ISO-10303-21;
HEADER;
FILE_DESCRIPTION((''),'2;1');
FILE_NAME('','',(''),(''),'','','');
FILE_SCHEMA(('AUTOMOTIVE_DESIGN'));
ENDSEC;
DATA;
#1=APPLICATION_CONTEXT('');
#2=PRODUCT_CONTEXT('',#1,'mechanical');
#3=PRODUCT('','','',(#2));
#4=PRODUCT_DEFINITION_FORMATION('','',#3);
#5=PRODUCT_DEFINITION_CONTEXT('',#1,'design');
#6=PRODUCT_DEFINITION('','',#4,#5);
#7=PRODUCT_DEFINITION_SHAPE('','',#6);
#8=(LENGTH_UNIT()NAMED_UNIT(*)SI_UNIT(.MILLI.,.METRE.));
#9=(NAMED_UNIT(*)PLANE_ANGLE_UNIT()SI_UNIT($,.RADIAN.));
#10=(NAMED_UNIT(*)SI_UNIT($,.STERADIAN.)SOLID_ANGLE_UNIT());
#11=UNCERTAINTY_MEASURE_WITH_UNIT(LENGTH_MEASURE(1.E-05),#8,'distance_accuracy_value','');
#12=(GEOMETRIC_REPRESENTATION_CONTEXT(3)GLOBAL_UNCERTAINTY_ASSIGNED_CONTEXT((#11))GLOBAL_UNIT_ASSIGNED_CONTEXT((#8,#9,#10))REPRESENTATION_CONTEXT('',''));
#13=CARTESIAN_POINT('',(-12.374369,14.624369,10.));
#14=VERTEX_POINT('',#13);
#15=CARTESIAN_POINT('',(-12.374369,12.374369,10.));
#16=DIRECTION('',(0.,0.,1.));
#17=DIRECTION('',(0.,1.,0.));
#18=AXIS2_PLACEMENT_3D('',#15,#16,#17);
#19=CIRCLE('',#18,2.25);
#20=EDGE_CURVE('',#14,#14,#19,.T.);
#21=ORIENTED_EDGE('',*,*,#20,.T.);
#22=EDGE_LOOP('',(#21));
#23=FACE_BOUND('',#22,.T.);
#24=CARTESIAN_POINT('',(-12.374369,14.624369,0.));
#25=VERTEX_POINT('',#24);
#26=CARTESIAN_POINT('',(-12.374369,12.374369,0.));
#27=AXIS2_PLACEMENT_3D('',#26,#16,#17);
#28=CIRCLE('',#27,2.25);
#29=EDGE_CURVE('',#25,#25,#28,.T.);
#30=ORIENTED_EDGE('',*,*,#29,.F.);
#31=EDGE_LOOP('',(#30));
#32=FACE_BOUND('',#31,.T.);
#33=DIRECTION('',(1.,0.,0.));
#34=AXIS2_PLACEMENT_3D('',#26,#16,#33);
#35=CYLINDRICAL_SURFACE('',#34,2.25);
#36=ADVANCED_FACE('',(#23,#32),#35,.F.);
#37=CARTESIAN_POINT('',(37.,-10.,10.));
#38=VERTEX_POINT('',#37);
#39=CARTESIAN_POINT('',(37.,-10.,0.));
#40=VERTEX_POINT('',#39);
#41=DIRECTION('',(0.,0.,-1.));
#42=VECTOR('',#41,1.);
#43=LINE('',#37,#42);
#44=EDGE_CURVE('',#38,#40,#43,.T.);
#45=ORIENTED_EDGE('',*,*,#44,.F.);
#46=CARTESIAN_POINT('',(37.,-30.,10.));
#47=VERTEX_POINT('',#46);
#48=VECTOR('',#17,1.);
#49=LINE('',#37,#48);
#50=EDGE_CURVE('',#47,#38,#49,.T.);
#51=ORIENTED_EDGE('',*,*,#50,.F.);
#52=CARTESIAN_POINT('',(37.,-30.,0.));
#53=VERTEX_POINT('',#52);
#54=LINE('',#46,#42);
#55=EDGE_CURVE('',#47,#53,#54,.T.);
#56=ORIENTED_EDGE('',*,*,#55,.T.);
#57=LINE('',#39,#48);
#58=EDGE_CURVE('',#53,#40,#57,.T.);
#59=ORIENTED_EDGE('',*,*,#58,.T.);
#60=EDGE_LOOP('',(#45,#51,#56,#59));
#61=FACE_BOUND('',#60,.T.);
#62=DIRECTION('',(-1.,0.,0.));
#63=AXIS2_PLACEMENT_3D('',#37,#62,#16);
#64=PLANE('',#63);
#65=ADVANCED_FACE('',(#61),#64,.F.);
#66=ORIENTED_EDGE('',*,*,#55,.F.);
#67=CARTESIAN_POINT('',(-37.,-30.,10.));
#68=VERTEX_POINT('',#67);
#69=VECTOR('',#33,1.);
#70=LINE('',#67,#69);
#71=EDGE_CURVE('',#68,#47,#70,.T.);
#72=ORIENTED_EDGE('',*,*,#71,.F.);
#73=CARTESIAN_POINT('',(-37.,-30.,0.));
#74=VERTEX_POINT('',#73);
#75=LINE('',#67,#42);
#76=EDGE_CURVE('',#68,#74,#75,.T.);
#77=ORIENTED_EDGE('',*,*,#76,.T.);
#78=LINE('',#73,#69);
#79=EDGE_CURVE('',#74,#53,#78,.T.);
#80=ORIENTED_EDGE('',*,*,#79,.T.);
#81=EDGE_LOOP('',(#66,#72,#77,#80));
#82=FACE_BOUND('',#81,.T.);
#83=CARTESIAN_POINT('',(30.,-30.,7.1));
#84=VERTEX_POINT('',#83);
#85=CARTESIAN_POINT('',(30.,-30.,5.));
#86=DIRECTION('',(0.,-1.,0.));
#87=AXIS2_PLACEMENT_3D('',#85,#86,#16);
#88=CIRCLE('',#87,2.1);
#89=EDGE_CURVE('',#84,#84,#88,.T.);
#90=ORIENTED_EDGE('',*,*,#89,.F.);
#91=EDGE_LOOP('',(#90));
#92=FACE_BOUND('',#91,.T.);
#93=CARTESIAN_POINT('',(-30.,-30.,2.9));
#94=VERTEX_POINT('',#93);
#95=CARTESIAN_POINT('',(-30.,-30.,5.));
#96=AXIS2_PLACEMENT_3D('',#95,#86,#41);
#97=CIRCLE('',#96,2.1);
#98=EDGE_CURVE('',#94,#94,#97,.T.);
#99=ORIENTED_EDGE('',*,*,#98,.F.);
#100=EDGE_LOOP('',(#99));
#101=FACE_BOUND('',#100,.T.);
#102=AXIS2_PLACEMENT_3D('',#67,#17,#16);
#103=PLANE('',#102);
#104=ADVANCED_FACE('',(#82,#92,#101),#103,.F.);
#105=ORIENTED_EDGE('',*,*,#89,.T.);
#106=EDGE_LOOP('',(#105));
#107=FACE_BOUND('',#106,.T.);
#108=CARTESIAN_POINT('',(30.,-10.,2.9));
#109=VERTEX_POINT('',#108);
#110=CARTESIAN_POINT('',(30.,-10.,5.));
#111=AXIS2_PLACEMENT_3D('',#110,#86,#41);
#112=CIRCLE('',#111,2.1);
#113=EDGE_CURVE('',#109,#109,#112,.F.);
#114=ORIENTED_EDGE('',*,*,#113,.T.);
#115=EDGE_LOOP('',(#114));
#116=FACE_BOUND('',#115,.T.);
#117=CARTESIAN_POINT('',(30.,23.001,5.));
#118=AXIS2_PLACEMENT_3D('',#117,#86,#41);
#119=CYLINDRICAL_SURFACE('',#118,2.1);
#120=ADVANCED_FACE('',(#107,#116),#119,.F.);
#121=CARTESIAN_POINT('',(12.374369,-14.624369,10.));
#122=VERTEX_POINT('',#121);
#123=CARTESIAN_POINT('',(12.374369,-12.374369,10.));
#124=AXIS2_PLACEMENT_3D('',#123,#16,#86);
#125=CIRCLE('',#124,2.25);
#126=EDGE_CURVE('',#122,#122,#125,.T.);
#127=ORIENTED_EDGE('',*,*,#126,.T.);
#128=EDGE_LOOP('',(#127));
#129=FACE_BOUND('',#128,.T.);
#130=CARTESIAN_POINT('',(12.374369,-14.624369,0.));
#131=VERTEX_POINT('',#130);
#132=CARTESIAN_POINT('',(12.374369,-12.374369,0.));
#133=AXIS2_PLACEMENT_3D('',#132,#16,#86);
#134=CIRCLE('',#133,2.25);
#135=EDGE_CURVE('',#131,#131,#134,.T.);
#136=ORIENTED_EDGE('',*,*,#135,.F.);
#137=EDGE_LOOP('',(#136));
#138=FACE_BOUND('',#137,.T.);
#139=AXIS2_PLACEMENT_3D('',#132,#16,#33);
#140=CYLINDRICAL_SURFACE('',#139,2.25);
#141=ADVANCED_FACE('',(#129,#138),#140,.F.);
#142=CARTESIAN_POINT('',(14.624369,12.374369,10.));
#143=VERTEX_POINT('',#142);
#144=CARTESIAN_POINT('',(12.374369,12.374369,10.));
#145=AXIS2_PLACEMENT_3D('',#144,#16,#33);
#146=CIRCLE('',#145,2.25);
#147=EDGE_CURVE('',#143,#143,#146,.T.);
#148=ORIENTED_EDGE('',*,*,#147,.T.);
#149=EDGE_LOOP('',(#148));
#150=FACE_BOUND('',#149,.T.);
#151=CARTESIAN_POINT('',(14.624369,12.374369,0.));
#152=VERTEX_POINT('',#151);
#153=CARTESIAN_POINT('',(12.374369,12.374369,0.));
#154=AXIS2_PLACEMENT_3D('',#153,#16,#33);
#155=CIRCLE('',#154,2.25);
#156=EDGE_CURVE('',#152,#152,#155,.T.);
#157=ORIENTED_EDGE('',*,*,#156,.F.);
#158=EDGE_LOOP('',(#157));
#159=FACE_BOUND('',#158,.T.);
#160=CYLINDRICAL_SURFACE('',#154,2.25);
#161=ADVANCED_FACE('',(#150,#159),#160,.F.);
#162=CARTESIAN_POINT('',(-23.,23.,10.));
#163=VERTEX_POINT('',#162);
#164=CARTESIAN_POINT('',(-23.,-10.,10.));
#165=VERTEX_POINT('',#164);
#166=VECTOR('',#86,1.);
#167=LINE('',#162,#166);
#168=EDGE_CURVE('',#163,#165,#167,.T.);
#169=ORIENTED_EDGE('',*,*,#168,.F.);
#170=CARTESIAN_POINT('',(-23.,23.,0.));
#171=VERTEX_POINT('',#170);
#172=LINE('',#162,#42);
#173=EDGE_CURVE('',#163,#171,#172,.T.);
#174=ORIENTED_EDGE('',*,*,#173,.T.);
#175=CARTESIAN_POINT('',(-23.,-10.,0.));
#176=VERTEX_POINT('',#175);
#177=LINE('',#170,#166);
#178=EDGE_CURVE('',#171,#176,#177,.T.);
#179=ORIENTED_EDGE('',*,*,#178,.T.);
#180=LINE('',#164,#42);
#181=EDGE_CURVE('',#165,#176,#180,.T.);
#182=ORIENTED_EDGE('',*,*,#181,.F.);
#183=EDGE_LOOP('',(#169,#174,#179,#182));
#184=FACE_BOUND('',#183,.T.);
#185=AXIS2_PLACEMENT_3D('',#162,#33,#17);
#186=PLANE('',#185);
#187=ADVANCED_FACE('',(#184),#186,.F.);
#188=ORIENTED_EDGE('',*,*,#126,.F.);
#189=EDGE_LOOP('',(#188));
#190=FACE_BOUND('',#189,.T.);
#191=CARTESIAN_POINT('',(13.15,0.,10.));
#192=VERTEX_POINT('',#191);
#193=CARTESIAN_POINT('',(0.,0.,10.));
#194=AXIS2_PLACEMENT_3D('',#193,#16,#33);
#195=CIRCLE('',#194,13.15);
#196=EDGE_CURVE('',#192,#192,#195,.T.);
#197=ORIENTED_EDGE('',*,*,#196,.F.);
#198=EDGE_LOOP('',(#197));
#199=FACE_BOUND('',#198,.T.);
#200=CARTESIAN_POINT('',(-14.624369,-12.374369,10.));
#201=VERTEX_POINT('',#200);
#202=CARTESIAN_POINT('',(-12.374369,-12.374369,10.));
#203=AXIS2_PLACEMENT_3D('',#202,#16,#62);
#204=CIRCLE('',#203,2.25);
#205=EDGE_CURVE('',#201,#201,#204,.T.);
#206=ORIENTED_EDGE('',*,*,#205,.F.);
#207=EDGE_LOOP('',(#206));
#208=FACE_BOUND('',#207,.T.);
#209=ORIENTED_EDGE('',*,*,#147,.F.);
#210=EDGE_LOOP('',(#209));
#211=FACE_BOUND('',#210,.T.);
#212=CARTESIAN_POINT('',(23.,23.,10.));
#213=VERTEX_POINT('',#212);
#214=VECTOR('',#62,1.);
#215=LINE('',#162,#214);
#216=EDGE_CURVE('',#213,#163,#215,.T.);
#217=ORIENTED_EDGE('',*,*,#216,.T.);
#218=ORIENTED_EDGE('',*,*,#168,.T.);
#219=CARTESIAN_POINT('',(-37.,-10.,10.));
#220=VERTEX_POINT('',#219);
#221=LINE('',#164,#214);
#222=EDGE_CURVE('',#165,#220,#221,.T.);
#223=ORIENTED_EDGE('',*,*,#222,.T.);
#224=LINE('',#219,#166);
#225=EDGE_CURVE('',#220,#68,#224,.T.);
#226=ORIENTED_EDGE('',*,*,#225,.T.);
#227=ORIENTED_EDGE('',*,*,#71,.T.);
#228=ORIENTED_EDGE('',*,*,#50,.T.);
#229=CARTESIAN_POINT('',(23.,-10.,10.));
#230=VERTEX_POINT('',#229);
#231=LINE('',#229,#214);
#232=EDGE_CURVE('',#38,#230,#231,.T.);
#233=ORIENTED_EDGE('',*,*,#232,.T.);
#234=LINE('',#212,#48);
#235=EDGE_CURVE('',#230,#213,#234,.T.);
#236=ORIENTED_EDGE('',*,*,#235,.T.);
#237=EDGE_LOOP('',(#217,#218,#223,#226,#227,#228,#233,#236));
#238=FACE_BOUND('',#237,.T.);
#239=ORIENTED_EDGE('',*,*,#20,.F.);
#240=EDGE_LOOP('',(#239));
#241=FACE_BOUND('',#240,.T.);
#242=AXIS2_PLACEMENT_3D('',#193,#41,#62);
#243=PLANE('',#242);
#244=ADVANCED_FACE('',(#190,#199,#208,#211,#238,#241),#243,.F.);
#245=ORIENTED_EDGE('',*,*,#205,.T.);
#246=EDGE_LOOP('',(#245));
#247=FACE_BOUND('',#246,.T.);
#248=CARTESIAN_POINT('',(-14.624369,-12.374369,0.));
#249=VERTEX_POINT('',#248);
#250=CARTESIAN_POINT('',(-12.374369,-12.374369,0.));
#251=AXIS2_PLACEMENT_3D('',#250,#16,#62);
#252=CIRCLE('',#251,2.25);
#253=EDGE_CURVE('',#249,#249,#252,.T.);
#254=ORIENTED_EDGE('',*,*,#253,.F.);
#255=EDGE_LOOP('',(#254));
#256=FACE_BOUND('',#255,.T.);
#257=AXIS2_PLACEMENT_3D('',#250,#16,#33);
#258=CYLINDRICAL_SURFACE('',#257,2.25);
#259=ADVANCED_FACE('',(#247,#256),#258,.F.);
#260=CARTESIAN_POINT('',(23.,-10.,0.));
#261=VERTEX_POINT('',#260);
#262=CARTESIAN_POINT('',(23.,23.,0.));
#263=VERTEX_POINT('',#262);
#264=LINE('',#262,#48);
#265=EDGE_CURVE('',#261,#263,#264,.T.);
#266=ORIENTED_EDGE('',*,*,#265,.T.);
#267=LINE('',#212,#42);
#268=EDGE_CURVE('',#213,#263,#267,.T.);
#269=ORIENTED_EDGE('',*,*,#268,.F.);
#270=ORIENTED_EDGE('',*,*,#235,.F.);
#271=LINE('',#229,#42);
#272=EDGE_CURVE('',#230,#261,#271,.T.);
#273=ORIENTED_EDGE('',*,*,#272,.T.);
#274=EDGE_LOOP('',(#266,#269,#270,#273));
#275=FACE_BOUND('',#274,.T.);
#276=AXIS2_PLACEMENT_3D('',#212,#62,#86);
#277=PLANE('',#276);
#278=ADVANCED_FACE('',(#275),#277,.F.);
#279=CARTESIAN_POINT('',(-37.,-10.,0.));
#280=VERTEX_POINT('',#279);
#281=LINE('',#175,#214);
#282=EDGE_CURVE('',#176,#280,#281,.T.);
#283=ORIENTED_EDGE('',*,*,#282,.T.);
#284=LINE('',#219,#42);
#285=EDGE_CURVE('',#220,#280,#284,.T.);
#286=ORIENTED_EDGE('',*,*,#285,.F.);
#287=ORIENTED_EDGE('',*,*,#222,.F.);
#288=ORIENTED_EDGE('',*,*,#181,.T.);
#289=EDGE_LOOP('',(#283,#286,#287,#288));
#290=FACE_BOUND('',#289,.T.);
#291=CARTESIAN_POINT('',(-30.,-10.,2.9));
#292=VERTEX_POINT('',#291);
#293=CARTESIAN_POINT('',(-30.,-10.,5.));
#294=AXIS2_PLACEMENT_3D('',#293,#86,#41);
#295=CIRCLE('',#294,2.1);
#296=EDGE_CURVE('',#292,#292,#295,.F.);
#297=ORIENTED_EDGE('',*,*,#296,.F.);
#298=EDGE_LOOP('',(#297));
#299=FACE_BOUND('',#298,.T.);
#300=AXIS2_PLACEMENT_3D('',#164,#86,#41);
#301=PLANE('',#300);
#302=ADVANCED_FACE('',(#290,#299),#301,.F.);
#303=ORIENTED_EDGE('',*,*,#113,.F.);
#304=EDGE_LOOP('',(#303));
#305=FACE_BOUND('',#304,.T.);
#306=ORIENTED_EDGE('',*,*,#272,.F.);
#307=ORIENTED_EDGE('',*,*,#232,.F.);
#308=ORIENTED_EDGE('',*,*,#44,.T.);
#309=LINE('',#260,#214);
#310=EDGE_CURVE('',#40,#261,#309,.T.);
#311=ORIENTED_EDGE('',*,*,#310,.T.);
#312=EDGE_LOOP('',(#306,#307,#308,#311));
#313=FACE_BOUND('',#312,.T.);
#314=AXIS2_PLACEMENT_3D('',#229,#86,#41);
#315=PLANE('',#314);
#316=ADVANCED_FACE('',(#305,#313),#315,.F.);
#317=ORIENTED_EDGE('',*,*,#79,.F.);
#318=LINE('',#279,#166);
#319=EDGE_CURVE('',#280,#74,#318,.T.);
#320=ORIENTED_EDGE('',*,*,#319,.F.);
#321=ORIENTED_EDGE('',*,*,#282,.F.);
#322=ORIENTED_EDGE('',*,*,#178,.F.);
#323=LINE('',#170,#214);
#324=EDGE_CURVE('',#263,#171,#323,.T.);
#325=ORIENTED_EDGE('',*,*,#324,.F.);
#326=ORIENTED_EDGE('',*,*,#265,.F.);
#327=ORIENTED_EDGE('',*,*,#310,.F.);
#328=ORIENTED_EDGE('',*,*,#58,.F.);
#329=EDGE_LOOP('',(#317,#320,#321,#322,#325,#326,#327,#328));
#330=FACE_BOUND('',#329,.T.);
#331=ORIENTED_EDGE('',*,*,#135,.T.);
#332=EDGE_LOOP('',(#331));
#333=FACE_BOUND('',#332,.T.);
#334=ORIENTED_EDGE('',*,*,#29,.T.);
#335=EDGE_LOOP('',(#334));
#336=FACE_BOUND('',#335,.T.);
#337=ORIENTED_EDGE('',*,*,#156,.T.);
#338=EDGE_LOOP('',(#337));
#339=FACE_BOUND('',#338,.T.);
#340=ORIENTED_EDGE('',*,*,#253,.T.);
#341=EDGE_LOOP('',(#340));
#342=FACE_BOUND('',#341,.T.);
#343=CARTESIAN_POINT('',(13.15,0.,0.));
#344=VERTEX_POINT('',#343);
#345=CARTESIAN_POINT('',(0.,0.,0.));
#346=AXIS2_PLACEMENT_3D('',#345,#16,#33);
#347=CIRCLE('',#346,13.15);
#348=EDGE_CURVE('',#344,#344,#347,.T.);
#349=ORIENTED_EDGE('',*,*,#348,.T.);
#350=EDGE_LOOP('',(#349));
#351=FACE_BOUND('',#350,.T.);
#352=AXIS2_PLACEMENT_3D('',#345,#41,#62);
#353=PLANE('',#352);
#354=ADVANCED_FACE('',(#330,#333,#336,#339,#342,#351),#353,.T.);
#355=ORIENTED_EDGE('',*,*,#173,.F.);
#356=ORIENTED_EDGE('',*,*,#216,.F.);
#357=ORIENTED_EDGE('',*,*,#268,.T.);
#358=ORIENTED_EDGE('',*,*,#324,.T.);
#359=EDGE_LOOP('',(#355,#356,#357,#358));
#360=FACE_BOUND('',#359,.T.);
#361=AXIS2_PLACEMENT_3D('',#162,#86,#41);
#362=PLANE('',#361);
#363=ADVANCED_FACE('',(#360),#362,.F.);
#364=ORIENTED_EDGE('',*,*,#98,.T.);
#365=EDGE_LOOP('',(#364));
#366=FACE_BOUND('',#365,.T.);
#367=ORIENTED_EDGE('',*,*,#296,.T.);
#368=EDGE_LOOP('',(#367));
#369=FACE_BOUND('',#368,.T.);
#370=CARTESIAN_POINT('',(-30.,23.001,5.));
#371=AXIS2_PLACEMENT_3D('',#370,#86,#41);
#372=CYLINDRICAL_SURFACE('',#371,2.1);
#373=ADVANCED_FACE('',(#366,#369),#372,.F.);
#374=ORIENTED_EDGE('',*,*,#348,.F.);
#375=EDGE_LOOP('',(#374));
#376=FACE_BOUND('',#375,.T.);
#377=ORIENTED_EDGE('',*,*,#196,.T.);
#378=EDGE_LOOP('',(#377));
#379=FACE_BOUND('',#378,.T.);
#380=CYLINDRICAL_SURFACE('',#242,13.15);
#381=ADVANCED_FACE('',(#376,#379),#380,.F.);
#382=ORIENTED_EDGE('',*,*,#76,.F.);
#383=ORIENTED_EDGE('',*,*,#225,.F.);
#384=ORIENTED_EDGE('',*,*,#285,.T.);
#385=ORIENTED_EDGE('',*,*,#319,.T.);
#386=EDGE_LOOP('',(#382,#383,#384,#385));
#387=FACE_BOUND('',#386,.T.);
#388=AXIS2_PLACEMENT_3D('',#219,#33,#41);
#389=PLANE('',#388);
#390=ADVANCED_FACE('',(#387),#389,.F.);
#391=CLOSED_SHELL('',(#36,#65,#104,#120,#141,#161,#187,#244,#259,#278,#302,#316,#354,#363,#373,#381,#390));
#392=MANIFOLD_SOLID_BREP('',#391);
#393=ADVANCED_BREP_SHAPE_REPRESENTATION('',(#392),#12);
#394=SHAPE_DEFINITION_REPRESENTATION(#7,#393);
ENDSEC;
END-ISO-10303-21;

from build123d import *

# Parameters (mm, degrees)
ESQUISSE1_R             = 13.15
BOSS_EXTRU_1_DEPTH      = 10
ENL_V_MAT_EXTRU_2_REACH = 67.406
ESQUISSE5_R             = 2.1
SKETCH1_R               = 2.25
CUT_EXTRUDE1_DEPTH      = 49.672374095
CIRPATTERN1_COUNT       = 4


with BuildPart() as part:
    # Esquisse1 → Boss.-Extru.1 (new body)
    with BuildSketch(Plane.XY):
        Polygon((-23, 23), (23, 23), (23, -10), (37, -10), (37, -30), (-37, -30), (-37, -10), (-23, -10), align=None)
        Circle(ESQUISSE1_R, mode=Mode.SUBTRACT)
    extrude(amount=BOSS_EXTRU_1_DEPTH)

    # Esquisse5 → Enlèv. mat.-Extru.2 (cut, up to next)
    with BuildSketch(Plane.XZ.offset(30), mode=Mode.PRIVATE) as enl_v_mat_extru_2_sk1:
        with Locations(Location((-30, 5, 0), (0, 0, 270))):
            Circle(ESQUISSE5_R)
    enl_v_mat_extru_2_tool1 = extrude(enl_v_mat_extru_2_sk1.sketch, amount=-ENL_V_MAT_EXTRU_2_REACH, mode=Mode.PRIVATE) & part.part
    # Esquisse5 → Enlèv. mat.-Extru.2 (cut, up to next)
    with BuildSketch(Plane.XZ.offset(30), mode=Mode.PRIVATE) as enl_v_mat_extru_2_sk2:
        with Locations(Location((30, 5, 0), (0, 0, 270))):
            Circle(ESQUISSE5_R)
    enl_v_mat_extru_2_tool2 = extrude(enl_v_mat_extru_2_sk2.sketch, amount=-ENL_V_MAT_EXTRU_2_REACH, mode=Mode.PRIVATE) & part.part
    add(enl_v_mat_extru_2_tool1.solids().sort_by_distance((-30, -30, 5))[0], mode=Mode.SUBTRACT)
    add(enl_v_mat_extru_2_tool2.solids().sort_by_distance((30, -30, 5))[0], mode=Mode.SUBTRACT)

    # Sketch1 → Cut-Extrude1 (cut, through all)
    with BuildSketch(Plane.XY.offset(10)):
        with Locations((12.374368671, 12.374368671)):
            Circle(SKETCH1_R)
    cut_extrude1 = extrude(amount=-CUT_EXTRUDE1_DEPTH, mode=Mode.SUBTRACT)

    # CirPattern1: Cut-Extrude1 ×4 about axis
    cirpattern1_axis = Axis((0, 0, 0), (0, 0, 1))
    for i in range(1, CIRPATTERN1_COUNT):
        add(cut_extrude1.rotate(cirpattern1_axis, i * 360 / CIRPATTERN1_COUNT), mode=Mode.SUBTRACT)


solid = part.part
